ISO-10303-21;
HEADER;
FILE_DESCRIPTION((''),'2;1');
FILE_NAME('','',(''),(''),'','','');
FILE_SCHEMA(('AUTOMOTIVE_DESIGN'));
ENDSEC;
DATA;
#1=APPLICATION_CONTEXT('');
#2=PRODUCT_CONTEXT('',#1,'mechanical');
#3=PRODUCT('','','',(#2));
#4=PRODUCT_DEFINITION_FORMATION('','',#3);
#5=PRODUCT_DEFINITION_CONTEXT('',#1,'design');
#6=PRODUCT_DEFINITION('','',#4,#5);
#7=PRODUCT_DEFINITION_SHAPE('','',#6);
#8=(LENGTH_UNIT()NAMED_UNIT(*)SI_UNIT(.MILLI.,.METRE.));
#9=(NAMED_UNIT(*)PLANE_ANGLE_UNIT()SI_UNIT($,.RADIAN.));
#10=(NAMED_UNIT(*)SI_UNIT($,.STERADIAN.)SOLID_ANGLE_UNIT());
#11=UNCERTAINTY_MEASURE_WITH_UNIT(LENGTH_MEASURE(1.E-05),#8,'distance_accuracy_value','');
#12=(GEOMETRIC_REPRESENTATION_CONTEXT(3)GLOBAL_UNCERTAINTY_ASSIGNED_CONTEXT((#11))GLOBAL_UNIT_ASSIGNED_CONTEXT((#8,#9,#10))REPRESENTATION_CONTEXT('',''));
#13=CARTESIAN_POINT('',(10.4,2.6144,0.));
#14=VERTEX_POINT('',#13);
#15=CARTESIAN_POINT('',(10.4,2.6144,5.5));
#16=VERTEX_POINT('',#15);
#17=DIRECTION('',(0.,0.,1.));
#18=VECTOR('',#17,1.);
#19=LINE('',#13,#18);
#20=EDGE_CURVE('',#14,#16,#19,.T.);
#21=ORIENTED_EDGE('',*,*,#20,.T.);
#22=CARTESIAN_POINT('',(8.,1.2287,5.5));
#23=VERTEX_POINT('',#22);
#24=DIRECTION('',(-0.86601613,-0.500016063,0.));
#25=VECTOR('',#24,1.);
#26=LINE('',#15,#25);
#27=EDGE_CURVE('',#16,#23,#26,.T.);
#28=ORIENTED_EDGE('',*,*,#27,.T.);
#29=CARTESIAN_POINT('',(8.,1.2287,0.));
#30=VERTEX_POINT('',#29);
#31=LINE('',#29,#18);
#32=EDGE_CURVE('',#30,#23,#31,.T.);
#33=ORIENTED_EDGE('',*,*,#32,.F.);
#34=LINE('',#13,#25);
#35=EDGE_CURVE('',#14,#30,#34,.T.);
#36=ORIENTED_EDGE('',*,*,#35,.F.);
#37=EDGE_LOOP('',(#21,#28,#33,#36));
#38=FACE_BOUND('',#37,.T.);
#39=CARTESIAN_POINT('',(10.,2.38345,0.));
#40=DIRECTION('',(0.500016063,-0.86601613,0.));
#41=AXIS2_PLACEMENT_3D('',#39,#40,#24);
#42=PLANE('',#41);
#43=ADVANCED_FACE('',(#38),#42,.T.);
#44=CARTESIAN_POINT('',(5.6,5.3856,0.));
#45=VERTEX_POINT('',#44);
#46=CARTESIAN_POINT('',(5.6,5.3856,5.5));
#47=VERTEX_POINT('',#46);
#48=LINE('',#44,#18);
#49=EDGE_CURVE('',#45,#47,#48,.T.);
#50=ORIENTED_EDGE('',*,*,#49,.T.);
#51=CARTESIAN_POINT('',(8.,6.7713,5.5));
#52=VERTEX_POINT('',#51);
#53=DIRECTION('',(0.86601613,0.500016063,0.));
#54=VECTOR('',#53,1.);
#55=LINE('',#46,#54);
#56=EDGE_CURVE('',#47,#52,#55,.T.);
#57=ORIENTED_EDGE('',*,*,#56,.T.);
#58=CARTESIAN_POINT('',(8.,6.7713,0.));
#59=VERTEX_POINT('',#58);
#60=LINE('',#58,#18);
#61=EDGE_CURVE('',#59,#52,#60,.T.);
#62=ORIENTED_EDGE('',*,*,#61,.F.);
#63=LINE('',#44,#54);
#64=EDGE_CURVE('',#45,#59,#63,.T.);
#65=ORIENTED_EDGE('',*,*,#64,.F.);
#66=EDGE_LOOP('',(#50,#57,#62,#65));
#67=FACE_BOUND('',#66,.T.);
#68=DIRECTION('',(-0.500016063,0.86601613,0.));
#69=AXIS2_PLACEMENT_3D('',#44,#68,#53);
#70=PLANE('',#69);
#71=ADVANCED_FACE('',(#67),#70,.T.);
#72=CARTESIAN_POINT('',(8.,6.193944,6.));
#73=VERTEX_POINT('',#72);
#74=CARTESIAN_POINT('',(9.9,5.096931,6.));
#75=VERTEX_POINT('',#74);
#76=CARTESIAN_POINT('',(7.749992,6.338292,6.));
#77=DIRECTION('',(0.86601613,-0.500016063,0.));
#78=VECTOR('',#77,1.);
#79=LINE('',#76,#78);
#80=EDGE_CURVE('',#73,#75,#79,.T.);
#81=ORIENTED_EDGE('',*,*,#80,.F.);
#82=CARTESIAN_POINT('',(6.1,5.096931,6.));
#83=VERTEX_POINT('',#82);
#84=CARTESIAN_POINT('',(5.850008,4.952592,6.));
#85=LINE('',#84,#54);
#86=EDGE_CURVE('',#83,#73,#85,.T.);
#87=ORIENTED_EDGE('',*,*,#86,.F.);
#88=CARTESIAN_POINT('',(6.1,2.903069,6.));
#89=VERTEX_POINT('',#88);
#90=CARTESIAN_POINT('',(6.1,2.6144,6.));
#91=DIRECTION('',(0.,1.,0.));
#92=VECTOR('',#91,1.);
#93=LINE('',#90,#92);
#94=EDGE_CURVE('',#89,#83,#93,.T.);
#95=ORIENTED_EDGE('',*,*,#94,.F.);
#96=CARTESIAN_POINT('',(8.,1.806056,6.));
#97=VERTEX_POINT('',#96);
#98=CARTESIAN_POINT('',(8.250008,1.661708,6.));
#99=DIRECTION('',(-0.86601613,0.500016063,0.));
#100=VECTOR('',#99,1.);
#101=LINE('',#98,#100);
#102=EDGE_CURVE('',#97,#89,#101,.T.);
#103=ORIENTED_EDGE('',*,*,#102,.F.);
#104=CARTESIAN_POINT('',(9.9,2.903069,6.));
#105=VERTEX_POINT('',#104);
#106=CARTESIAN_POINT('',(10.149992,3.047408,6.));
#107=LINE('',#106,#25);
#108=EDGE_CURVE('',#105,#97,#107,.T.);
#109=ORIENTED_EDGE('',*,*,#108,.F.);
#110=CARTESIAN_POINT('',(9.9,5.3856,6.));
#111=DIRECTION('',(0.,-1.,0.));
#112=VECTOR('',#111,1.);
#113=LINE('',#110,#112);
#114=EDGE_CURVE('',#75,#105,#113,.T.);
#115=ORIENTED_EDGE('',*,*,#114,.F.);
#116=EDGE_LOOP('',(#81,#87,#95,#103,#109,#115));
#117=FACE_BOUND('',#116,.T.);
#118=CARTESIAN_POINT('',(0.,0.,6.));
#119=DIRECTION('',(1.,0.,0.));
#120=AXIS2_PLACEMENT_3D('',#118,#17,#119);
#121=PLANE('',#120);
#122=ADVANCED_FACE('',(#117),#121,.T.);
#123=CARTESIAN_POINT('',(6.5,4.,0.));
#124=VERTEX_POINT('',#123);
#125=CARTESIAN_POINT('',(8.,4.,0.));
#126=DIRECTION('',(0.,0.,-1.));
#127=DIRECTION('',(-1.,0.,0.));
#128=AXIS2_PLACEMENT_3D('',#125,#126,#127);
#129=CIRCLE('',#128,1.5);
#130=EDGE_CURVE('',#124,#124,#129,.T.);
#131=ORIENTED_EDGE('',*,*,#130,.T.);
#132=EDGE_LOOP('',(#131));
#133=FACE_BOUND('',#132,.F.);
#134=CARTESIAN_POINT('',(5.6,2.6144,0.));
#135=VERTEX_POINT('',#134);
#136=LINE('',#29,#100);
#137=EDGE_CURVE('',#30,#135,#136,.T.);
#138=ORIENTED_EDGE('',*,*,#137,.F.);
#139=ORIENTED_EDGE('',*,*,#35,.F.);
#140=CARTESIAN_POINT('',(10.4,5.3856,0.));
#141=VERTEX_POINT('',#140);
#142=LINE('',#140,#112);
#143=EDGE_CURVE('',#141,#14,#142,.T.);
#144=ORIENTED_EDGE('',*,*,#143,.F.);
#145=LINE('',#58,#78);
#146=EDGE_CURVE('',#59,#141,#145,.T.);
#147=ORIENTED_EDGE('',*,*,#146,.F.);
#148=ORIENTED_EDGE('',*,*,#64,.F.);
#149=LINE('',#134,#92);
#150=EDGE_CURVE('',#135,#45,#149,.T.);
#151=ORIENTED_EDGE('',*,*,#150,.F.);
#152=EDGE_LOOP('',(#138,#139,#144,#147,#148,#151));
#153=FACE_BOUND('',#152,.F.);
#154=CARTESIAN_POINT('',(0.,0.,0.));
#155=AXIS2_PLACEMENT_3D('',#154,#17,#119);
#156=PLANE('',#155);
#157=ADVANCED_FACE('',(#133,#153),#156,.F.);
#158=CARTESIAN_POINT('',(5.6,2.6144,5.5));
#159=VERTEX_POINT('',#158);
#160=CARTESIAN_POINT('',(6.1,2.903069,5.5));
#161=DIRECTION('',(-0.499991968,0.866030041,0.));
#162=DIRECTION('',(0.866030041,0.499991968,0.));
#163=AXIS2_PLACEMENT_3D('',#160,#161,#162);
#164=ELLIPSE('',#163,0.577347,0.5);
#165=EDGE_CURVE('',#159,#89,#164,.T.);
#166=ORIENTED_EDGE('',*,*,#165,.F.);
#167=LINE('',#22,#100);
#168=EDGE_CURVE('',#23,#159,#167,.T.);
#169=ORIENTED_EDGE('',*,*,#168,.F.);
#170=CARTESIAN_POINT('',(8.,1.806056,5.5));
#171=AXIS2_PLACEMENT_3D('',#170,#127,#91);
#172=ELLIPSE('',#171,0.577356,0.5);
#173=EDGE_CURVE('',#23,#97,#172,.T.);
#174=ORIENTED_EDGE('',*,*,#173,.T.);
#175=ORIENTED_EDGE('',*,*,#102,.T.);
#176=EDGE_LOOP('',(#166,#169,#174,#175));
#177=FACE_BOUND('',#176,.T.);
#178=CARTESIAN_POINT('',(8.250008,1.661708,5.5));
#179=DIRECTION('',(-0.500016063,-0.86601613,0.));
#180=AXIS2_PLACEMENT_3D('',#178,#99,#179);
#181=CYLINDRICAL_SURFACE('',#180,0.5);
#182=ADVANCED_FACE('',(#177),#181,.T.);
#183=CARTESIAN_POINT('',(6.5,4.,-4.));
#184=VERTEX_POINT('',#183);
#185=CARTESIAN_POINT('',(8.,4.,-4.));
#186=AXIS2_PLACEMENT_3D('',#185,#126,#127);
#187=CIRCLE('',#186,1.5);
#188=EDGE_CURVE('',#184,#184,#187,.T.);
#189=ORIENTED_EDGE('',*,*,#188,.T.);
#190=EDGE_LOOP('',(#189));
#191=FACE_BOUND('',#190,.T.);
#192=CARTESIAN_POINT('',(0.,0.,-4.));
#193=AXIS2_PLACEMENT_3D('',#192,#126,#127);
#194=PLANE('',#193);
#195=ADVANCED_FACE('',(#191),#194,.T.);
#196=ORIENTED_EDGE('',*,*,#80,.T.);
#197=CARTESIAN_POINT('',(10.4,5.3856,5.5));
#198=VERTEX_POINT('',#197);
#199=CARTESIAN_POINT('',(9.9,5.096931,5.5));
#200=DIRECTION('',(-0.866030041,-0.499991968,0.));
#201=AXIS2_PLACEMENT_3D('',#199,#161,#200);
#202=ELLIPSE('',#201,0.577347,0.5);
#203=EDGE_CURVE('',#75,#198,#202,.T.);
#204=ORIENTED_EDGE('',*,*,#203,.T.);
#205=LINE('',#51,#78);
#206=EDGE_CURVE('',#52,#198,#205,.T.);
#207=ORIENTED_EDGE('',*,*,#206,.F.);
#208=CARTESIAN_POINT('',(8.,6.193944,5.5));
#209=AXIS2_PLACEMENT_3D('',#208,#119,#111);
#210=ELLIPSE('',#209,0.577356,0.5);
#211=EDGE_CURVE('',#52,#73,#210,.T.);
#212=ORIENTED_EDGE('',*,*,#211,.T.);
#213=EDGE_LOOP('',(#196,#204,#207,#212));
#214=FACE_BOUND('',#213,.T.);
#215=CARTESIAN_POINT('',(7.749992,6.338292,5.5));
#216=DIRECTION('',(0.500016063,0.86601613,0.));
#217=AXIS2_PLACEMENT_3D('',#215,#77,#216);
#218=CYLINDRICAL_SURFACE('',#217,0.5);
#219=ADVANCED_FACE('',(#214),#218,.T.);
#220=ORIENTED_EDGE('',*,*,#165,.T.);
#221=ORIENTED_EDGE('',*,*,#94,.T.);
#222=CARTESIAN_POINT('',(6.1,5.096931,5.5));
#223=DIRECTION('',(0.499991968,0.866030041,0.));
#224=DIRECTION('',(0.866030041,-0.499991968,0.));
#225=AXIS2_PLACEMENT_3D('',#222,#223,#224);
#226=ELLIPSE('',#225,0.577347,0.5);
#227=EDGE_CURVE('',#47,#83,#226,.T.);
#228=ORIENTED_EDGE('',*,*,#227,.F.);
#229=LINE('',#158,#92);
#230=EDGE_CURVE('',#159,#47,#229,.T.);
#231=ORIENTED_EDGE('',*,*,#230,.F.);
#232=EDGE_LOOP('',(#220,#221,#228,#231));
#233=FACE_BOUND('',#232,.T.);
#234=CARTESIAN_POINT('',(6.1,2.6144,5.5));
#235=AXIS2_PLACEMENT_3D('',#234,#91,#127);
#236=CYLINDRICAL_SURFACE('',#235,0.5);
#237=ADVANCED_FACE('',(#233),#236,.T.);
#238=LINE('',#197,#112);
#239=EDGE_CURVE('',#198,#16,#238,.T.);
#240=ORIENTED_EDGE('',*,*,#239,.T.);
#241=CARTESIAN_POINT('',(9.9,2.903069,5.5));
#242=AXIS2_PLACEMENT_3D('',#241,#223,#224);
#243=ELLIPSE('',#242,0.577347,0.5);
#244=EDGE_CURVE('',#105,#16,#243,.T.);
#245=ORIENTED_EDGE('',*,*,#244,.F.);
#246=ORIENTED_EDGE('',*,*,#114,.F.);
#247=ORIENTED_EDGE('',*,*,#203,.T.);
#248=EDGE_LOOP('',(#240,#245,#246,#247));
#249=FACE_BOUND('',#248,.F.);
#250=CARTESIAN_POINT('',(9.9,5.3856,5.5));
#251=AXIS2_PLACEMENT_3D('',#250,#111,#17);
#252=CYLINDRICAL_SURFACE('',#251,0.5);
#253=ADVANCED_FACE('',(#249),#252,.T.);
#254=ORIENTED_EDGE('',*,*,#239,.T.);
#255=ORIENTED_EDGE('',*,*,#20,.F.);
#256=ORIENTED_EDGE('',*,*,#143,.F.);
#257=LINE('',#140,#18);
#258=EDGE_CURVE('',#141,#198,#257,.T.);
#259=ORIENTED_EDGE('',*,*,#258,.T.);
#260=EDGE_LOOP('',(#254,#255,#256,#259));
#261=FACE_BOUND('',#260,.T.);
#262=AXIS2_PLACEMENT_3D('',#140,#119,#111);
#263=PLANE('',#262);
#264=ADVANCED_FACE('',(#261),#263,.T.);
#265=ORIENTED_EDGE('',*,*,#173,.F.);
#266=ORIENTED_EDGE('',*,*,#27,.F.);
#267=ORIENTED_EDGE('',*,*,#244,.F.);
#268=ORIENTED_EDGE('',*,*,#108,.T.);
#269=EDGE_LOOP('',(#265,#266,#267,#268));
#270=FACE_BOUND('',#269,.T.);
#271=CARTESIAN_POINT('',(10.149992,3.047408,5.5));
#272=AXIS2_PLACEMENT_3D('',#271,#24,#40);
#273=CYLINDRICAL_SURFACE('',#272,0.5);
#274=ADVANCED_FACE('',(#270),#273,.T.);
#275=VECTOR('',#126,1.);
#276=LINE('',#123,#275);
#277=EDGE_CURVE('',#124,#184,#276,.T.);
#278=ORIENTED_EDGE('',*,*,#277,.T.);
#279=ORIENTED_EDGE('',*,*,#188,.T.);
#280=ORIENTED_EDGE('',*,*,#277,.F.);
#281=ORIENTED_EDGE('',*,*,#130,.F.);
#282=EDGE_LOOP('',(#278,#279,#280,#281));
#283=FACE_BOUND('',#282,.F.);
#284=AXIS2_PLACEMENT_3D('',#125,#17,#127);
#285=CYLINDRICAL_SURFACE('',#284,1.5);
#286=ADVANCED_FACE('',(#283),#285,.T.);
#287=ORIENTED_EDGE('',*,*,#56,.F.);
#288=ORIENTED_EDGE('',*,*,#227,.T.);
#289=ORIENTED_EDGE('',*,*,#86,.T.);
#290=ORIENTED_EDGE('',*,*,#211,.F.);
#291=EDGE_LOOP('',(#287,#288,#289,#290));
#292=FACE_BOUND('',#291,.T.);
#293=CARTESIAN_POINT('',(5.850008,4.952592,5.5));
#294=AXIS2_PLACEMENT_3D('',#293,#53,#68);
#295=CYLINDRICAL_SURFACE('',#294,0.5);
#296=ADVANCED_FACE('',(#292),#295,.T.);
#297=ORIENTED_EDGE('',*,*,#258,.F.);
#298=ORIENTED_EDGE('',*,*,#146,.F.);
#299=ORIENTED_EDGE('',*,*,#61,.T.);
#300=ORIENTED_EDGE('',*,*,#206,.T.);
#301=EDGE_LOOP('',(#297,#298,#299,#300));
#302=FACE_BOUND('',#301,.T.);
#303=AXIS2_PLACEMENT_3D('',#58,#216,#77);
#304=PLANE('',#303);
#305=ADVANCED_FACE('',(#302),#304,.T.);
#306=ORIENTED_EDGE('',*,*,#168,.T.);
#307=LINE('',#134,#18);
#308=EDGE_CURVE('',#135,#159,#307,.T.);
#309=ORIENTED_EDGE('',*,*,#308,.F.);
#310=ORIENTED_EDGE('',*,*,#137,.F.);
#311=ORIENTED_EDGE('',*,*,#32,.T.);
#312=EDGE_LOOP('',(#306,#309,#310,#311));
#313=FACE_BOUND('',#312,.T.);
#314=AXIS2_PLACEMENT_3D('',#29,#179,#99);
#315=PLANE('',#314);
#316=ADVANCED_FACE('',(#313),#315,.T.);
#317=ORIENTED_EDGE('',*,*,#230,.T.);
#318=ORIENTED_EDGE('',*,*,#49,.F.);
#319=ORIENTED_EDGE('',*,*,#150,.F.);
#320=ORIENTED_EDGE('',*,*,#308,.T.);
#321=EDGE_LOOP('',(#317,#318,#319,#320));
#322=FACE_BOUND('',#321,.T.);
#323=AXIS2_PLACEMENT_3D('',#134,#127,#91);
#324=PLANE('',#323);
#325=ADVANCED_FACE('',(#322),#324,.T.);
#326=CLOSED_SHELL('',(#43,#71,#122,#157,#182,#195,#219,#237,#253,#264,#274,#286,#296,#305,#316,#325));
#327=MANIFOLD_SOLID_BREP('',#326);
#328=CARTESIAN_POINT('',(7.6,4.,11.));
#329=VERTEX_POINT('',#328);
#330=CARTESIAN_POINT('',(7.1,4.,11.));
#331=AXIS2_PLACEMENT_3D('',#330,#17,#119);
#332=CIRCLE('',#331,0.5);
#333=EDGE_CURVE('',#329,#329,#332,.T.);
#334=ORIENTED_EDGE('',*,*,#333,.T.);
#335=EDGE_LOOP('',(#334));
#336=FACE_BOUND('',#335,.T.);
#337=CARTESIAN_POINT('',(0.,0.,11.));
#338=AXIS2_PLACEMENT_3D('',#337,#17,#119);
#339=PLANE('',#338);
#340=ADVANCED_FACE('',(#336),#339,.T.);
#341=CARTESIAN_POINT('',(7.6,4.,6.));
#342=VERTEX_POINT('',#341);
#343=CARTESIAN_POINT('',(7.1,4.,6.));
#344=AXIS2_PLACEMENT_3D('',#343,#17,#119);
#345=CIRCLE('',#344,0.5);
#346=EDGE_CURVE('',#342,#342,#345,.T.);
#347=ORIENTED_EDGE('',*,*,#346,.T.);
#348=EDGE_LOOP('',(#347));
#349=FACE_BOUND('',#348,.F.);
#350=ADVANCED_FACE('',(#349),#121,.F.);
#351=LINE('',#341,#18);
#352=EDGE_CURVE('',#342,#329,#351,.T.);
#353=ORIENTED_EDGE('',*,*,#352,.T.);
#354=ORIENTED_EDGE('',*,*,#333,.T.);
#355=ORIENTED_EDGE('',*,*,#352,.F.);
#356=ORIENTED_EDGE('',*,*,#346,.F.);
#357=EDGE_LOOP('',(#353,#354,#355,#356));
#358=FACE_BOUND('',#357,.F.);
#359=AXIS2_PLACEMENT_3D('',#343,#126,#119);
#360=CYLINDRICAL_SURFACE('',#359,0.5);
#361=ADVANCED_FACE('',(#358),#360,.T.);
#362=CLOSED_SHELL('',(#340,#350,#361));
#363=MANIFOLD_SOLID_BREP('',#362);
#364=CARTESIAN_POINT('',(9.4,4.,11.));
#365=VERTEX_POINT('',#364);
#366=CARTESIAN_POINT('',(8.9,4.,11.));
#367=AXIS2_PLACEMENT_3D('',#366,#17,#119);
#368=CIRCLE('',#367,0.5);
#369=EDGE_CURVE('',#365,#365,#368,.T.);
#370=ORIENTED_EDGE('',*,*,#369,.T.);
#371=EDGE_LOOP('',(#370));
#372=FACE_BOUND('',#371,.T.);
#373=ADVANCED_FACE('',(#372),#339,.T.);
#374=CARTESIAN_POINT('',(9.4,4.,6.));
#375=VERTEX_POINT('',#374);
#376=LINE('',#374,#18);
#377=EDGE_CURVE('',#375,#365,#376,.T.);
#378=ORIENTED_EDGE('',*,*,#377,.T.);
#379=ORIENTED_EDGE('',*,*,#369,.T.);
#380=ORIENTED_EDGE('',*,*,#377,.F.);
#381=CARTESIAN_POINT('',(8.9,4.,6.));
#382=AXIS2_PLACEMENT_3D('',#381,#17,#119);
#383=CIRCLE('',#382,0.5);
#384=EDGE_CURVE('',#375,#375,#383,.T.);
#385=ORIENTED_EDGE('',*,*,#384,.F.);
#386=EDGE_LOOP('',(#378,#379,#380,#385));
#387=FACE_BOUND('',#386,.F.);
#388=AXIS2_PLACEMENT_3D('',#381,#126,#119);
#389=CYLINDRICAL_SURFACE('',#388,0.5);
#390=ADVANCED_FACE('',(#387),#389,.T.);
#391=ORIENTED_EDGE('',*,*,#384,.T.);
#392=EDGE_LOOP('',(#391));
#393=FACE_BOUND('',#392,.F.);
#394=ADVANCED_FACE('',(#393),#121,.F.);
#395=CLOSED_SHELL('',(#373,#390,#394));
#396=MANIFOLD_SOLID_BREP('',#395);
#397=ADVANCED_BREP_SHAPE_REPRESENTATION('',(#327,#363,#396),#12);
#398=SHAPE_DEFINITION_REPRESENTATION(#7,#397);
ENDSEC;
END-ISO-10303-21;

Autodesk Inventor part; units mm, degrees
ref_plane "YZ Plane" through (0, 0, 0) normal (1, 0, 0) x (0, 1, 0)
ref_plane "XZ Plane" through (0, 0, 0) normal (0, 1, 0) x (-1, 0, 0)
ref_plane "XY Plane" through (0, 0, 0) normal (0, 0, 1) x (1, 0, 0)
sketch "Sketch1" plane through (0, 0, 0) normal (0, 0, 1) x (1, 0, 0)
  circle A0 centre (8, 4) radius 1.2295 projected
  circle A1 centre (-1.5, 4) radius 3 projected
  line L0 (10, 0) -> (-5.5, 0) projected
  line L1 (10, 0) -> (10, 10) projected
  line L2 (10, 10) -> (-5.5, 10) projected
  line L3 (-5.5, 0) -> (-5.5, 10) projected
  line L4 (10.4, 2.6144) -> (8, 1.2287)
  line L5 (8, 1.2287) -> (5.6, 2.6144)
  line L6 (5.6, 2.6144) -> (5.6, 5.3856)
  line L7 (5.6, 5.3856) -> (8, 6.7713)
  line L8 (8, 6.7713) -> (10.4, 5.3856)
  line L9 (10.4, 5.3856) -> (10.4, 2.6144)
  point P0 (0, 0)
  dimension "d0" = 2.4
extrude "Extrusion1" add sketch "Sketch1" along normal blind 6 contours A0 | L4 L5 L6 L7 L8 L1 | L1 L8 L9 L4
fillet "Fillet1" radius 0.5 6 edges at (10.4, 4, 6) (9.2, 6.0785, 6) (6.8, 6.0785, 6) (5.6, 4, 6) (6.8, 1.9215, 6) (9.2, 1.9215, 6)
sketch "Sketch2" plane through (0, 0, 6) normal (0, 0, 1) x (1, 0, 0)
  line L0 (6.1, 2.903) -> (6.1, 5.097) projected
  line L1 (9.9, 5.097) -> (9.9, 2.903) projected
  circle A0 centre (7.1, 4) radius 0.5
  circle A1 centre (8.9, 4) radius 0.5
  point P0 (0, 0)
  dimension "d4" = 1
  dimension "d5" = 1
  dimension "d6" = 1
  dimension "d7" = 1
extrude "Extrusion2" add sketch "Sketch2" along normal blind 5 separate body
sketch "Sketch3" plane through (0, 0, 0) normal (0, 0, -1) x (-1, 0, 0)
  circle A0 centre (-8, 4) radius 1.5
  point P0 (0, 0)
  dimension "d10" = 3
extrude "Extrusion3" add sketch "Sketch3" along normal blind 4 bodies 1
thread "Thread1" size "M3x0.5" class "6g" standard "ANSI Metric M Profile" full length
properties material "Copper"
